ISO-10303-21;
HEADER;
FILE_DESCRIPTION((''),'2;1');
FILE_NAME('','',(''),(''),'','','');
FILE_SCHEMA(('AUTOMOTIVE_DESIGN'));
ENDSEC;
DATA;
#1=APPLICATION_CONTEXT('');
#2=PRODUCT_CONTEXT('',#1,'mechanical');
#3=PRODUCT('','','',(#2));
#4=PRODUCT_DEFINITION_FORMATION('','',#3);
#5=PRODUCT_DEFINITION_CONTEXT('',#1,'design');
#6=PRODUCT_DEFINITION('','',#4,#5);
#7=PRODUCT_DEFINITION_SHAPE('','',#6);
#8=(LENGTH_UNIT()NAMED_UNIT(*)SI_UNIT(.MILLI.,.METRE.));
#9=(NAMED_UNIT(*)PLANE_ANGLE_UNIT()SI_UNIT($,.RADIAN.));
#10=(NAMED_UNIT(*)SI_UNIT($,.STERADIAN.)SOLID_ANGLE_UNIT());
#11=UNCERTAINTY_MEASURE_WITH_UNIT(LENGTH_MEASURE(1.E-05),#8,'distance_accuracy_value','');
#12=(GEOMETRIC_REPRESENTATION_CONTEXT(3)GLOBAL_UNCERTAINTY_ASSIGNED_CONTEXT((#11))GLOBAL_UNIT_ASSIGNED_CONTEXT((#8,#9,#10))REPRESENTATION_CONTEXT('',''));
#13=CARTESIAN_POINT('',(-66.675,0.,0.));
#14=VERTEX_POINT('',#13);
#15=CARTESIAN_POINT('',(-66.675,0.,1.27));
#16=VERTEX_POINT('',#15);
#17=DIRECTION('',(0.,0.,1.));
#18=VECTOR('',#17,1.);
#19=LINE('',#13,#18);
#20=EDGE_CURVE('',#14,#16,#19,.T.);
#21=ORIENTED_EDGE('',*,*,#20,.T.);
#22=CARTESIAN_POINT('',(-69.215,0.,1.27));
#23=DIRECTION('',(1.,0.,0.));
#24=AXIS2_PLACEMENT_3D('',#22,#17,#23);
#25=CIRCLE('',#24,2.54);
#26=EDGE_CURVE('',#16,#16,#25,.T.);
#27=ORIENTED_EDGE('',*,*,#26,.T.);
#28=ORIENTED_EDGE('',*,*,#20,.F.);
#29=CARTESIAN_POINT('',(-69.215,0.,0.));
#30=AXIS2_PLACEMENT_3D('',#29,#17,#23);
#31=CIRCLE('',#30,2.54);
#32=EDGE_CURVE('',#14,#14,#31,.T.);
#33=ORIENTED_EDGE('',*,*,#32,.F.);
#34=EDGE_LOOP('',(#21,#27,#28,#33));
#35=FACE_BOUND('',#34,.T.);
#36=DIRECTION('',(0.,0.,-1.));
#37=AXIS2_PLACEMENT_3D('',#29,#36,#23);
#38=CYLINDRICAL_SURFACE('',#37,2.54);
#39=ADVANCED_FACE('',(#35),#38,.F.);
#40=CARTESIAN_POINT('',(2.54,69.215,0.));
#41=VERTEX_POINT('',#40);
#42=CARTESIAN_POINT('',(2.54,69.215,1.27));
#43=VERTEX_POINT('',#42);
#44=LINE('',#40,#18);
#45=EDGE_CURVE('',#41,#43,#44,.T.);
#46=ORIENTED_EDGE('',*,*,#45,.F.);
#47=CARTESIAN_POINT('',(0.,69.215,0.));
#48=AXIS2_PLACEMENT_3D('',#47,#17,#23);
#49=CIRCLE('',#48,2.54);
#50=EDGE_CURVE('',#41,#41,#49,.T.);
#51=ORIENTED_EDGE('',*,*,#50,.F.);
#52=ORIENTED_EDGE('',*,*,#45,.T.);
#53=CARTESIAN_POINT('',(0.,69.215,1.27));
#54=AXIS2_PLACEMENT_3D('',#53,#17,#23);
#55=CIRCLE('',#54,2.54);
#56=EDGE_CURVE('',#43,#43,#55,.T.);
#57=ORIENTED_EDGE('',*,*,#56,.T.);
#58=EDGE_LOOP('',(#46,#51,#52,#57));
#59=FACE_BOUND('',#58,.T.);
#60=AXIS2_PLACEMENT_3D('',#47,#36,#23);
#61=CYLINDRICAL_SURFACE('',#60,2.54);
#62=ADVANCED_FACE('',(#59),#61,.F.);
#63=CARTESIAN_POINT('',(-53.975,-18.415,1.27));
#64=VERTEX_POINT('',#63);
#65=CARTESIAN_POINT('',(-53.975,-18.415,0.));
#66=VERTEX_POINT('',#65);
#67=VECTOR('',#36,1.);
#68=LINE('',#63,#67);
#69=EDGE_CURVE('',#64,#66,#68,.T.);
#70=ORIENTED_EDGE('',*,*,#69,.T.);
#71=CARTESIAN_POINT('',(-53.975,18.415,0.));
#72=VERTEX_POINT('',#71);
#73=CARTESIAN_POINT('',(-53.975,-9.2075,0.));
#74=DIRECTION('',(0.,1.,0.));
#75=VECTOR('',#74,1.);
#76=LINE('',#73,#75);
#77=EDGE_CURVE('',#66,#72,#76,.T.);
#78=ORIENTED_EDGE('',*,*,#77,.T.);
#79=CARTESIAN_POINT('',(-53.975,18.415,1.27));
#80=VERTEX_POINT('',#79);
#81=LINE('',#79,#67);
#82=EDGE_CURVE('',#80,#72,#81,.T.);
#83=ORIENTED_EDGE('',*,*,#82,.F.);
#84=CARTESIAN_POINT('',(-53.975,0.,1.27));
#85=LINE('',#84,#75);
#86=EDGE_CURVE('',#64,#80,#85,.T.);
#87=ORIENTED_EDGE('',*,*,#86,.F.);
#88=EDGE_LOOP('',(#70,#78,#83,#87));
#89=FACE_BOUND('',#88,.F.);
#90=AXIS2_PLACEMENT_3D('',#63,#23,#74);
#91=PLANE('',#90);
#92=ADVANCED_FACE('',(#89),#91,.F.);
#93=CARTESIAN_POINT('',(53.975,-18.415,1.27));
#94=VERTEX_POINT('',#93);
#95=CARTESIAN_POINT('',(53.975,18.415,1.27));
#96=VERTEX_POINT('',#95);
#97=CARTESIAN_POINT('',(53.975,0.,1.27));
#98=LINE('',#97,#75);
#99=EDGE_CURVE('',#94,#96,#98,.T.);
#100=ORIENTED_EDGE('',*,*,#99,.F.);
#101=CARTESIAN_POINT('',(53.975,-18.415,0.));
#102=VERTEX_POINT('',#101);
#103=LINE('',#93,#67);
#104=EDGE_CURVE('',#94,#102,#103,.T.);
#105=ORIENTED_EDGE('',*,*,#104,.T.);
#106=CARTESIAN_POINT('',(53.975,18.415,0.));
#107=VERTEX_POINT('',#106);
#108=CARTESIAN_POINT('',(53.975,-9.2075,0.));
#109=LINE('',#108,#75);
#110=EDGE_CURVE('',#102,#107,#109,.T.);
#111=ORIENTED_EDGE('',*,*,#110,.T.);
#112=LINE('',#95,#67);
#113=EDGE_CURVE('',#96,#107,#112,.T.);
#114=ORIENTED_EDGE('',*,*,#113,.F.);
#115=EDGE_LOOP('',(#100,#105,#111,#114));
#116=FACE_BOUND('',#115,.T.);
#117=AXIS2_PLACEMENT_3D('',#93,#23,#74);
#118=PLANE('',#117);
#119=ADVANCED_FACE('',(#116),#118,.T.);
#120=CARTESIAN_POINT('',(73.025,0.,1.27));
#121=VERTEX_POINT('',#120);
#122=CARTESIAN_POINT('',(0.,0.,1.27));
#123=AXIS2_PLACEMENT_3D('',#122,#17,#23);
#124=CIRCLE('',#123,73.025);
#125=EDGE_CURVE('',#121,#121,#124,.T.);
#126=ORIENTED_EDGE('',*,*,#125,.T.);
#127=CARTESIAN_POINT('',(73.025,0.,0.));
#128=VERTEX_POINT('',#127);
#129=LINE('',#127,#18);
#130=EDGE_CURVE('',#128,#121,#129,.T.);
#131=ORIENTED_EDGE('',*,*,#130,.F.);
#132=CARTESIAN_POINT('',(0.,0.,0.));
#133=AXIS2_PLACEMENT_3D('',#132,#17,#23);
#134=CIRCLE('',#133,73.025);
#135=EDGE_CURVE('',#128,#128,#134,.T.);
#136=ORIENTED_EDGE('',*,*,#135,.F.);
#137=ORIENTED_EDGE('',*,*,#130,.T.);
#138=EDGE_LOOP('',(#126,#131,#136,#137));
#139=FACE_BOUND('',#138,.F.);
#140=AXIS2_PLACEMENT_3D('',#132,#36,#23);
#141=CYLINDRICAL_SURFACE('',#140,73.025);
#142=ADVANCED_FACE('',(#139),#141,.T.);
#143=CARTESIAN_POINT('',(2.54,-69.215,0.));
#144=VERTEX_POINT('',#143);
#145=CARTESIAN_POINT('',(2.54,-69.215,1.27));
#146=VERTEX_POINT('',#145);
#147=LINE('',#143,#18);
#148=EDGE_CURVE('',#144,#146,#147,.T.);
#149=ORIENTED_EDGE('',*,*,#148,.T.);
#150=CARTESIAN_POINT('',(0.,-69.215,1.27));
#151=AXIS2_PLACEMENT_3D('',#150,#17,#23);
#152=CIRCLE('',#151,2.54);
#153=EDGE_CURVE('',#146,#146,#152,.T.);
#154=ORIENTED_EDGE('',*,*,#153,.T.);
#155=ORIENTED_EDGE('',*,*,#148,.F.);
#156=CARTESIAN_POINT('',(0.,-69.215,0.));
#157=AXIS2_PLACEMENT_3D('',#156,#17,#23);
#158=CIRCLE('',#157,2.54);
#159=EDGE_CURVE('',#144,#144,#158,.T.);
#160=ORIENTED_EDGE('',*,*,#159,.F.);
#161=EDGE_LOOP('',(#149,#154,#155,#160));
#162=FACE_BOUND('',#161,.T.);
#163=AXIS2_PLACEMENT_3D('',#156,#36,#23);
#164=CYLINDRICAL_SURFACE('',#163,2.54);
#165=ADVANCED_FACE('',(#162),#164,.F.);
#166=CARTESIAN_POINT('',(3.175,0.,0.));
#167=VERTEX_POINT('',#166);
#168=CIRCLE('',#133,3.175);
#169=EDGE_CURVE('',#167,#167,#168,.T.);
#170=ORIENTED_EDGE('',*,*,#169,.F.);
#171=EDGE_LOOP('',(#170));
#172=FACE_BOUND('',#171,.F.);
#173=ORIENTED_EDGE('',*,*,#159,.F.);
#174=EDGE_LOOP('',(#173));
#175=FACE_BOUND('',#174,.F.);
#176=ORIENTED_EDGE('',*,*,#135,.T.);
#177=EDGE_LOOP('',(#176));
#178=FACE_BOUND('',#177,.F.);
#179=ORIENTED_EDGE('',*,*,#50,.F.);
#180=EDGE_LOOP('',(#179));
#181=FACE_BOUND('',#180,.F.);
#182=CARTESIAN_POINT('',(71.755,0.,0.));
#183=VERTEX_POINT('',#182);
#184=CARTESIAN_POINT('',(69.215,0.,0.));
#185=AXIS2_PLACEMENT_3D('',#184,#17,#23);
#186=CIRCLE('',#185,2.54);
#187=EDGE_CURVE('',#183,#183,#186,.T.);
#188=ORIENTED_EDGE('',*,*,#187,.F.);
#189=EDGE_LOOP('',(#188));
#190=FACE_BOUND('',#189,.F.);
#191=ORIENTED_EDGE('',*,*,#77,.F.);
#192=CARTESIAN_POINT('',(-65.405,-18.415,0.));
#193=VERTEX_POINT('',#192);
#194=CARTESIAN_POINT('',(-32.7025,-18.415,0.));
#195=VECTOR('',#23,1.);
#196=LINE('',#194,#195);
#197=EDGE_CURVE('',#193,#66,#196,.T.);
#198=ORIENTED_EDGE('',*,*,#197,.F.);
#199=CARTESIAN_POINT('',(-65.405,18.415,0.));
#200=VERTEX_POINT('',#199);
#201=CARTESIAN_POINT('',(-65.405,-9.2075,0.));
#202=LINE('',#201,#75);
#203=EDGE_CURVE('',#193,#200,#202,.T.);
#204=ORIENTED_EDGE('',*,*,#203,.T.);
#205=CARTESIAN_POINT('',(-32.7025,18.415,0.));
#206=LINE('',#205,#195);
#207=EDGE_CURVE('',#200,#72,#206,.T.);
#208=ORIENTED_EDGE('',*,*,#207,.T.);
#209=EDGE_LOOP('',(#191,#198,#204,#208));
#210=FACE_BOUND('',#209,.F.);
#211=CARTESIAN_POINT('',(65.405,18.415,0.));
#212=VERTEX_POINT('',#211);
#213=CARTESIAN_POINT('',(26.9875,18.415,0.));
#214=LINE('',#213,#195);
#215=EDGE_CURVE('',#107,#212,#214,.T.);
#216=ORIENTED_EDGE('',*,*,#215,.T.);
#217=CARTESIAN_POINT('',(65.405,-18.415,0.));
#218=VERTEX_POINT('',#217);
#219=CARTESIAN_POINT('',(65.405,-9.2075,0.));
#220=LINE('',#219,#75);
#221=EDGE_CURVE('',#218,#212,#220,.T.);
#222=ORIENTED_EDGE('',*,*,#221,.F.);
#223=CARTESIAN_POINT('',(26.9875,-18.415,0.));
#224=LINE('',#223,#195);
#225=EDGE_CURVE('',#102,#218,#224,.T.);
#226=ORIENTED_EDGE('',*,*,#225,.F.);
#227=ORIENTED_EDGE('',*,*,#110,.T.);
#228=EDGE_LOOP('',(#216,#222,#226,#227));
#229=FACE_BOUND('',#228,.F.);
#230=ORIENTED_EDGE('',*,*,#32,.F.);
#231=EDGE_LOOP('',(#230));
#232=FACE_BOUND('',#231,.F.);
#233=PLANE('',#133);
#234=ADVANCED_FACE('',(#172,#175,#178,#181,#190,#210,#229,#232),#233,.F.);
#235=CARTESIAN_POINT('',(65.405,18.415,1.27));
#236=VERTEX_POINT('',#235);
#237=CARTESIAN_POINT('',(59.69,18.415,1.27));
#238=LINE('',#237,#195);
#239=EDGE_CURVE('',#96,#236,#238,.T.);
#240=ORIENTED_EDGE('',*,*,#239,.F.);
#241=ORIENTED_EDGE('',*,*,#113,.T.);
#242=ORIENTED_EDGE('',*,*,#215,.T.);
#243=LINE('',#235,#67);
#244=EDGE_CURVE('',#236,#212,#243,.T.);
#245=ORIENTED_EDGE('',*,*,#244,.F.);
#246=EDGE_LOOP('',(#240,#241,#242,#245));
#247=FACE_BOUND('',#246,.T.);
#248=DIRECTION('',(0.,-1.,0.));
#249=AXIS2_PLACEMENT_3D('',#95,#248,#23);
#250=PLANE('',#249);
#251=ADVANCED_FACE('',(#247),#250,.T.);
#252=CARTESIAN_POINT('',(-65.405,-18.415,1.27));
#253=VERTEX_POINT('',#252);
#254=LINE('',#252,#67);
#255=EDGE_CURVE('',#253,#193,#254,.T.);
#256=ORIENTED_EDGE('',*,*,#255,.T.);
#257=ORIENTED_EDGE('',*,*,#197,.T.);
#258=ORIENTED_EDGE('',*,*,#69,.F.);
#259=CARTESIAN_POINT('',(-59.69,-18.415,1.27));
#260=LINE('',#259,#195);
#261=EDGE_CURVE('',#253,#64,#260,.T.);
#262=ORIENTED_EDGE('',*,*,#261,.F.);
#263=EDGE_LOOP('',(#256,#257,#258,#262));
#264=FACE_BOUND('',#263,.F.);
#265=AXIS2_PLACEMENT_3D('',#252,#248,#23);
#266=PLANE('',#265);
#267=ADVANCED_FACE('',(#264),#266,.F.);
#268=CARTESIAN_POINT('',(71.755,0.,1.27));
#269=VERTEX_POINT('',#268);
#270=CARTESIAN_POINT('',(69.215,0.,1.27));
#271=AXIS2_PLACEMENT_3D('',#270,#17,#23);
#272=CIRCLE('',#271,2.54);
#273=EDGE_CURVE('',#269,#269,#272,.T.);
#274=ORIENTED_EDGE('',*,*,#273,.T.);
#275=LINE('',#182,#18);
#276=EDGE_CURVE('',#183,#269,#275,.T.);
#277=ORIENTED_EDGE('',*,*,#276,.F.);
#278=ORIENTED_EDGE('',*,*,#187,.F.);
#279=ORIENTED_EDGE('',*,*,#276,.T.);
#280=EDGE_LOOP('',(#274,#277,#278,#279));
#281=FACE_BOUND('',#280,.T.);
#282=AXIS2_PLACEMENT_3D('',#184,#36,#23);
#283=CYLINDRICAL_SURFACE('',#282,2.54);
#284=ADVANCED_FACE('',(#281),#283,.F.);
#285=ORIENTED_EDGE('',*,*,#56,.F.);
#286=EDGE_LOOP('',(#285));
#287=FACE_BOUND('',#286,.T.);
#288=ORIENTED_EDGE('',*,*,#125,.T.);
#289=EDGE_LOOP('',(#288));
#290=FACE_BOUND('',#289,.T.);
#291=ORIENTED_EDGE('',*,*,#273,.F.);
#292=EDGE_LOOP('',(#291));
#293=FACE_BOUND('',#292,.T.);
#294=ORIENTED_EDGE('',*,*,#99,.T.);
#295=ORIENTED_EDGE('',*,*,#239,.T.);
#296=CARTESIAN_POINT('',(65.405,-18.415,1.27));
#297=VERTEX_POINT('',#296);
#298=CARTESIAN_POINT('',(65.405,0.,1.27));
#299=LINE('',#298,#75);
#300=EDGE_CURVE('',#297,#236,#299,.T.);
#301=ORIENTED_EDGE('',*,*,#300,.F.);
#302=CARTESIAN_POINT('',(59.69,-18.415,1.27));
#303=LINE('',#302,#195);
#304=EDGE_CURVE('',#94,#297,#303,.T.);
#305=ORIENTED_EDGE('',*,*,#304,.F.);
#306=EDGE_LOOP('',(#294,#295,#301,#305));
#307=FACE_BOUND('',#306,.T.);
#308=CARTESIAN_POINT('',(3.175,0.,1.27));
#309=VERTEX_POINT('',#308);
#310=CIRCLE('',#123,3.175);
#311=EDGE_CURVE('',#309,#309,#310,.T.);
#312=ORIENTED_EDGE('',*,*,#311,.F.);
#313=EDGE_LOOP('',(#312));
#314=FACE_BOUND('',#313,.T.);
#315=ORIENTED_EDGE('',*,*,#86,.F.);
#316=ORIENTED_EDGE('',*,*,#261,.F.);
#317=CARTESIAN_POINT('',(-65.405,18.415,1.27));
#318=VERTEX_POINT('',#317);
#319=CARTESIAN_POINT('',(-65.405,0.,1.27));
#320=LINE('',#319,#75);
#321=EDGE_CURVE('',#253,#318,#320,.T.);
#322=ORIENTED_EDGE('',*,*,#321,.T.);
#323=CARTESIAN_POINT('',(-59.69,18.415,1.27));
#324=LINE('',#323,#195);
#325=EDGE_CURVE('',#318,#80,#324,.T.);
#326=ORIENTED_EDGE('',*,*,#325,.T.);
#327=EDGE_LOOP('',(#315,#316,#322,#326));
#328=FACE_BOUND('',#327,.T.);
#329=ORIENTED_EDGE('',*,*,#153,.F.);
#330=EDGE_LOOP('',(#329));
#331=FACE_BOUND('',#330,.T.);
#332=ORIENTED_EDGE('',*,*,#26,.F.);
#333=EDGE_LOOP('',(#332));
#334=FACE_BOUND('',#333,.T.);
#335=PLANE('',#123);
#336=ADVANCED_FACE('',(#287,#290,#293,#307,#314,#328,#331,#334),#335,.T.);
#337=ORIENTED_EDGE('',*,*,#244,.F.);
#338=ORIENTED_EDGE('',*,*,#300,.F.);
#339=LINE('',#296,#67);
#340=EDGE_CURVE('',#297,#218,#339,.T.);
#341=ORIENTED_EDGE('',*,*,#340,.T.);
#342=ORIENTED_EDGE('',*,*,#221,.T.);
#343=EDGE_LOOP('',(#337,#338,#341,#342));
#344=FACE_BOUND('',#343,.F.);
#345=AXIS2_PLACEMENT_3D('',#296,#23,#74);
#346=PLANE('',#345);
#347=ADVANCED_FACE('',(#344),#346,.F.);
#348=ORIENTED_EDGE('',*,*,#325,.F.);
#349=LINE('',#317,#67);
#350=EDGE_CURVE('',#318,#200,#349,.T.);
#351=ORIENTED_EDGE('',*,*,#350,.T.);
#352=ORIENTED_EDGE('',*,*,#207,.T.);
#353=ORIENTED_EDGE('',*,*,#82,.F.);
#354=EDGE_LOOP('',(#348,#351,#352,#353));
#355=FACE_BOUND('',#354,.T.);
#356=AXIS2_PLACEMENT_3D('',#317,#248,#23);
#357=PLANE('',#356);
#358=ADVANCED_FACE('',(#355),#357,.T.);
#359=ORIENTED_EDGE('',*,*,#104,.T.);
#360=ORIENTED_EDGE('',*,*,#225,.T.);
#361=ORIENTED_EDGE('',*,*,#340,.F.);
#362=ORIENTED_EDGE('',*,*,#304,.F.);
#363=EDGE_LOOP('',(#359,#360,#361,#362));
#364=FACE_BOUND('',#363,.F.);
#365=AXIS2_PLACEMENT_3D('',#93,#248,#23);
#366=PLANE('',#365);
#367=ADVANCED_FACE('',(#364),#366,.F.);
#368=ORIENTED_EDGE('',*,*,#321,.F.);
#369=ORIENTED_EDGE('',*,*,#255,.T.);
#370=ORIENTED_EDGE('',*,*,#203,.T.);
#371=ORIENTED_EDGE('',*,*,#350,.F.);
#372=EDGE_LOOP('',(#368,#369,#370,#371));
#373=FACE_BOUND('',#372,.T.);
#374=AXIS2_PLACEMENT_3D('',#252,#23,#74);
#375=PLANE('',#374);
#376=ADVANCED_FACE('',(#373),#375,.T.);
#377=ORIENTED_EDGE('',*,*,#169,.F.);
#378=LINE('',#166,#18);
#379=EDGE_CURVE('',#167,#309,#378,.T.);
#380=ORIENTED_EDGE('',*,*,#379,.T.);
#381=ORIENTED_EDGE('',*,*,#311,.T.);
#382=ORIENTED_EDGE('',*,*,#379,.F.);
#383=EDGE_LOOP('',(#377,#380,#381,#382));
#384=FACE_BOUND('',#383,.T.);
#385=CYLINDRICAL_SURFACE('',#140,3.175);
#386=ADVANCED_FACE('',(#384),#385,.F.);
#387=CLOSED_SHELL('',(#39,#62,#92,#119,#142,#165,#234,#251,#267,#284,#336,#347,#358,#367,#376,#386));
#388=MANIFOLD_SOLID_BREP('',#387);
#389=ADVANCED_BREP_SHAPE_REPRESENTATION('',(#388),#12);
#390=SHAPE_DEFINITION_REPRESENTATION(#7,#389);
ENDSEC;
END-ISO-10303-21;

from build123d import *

# Parameters (mm, degrees)
F0_R     = 73.025
F0_R_2   = 2.54
F0_R_3   = 3.175
F1_DEPTH = 1.27
F2_W     = 11.43
F2_H     = 36.83
F3_DEPTH = 1.271


with BuildPart() as f1:
    # F0 (on Top) → F1 (new body)
    with BuildSketch(Plane.XY):
        Circle(F0_R)
        with Locations((0, -69.215)):
            Circle(F0_R_2, mode=Mode.SUBTRACT)
        with Locations((-69.215, 0)):
            Circle(F0_R_2, mode=Mode.SUBTRACT)
        Circle(F0_R_3, mode=Mode.SUBTRACT)
        with Locations((69.215, 0)):
            Circle(F0_R_2, mode=Mode.SUBTRACT)
        with Locations((0, 69.215)):
            Circle(F0_R_2, mode=Mode.SUBTRACT)
    extrude(amount=F1_DEPTH)

    # F2 (on face) → F3 (cut, through all)
    with BuildSketch(Plane.XY.offset(1.27)):
        with Locations((-59.69, 0)):
            Rectangle(F2_W, F2_H)
        with Locations((59.69, 0)):
            Rectangle(F2_W, F2_H)
    extrude(amount=-F3_DEPTH, mode=Mode.SUBTRACT)


solid = f1.part
